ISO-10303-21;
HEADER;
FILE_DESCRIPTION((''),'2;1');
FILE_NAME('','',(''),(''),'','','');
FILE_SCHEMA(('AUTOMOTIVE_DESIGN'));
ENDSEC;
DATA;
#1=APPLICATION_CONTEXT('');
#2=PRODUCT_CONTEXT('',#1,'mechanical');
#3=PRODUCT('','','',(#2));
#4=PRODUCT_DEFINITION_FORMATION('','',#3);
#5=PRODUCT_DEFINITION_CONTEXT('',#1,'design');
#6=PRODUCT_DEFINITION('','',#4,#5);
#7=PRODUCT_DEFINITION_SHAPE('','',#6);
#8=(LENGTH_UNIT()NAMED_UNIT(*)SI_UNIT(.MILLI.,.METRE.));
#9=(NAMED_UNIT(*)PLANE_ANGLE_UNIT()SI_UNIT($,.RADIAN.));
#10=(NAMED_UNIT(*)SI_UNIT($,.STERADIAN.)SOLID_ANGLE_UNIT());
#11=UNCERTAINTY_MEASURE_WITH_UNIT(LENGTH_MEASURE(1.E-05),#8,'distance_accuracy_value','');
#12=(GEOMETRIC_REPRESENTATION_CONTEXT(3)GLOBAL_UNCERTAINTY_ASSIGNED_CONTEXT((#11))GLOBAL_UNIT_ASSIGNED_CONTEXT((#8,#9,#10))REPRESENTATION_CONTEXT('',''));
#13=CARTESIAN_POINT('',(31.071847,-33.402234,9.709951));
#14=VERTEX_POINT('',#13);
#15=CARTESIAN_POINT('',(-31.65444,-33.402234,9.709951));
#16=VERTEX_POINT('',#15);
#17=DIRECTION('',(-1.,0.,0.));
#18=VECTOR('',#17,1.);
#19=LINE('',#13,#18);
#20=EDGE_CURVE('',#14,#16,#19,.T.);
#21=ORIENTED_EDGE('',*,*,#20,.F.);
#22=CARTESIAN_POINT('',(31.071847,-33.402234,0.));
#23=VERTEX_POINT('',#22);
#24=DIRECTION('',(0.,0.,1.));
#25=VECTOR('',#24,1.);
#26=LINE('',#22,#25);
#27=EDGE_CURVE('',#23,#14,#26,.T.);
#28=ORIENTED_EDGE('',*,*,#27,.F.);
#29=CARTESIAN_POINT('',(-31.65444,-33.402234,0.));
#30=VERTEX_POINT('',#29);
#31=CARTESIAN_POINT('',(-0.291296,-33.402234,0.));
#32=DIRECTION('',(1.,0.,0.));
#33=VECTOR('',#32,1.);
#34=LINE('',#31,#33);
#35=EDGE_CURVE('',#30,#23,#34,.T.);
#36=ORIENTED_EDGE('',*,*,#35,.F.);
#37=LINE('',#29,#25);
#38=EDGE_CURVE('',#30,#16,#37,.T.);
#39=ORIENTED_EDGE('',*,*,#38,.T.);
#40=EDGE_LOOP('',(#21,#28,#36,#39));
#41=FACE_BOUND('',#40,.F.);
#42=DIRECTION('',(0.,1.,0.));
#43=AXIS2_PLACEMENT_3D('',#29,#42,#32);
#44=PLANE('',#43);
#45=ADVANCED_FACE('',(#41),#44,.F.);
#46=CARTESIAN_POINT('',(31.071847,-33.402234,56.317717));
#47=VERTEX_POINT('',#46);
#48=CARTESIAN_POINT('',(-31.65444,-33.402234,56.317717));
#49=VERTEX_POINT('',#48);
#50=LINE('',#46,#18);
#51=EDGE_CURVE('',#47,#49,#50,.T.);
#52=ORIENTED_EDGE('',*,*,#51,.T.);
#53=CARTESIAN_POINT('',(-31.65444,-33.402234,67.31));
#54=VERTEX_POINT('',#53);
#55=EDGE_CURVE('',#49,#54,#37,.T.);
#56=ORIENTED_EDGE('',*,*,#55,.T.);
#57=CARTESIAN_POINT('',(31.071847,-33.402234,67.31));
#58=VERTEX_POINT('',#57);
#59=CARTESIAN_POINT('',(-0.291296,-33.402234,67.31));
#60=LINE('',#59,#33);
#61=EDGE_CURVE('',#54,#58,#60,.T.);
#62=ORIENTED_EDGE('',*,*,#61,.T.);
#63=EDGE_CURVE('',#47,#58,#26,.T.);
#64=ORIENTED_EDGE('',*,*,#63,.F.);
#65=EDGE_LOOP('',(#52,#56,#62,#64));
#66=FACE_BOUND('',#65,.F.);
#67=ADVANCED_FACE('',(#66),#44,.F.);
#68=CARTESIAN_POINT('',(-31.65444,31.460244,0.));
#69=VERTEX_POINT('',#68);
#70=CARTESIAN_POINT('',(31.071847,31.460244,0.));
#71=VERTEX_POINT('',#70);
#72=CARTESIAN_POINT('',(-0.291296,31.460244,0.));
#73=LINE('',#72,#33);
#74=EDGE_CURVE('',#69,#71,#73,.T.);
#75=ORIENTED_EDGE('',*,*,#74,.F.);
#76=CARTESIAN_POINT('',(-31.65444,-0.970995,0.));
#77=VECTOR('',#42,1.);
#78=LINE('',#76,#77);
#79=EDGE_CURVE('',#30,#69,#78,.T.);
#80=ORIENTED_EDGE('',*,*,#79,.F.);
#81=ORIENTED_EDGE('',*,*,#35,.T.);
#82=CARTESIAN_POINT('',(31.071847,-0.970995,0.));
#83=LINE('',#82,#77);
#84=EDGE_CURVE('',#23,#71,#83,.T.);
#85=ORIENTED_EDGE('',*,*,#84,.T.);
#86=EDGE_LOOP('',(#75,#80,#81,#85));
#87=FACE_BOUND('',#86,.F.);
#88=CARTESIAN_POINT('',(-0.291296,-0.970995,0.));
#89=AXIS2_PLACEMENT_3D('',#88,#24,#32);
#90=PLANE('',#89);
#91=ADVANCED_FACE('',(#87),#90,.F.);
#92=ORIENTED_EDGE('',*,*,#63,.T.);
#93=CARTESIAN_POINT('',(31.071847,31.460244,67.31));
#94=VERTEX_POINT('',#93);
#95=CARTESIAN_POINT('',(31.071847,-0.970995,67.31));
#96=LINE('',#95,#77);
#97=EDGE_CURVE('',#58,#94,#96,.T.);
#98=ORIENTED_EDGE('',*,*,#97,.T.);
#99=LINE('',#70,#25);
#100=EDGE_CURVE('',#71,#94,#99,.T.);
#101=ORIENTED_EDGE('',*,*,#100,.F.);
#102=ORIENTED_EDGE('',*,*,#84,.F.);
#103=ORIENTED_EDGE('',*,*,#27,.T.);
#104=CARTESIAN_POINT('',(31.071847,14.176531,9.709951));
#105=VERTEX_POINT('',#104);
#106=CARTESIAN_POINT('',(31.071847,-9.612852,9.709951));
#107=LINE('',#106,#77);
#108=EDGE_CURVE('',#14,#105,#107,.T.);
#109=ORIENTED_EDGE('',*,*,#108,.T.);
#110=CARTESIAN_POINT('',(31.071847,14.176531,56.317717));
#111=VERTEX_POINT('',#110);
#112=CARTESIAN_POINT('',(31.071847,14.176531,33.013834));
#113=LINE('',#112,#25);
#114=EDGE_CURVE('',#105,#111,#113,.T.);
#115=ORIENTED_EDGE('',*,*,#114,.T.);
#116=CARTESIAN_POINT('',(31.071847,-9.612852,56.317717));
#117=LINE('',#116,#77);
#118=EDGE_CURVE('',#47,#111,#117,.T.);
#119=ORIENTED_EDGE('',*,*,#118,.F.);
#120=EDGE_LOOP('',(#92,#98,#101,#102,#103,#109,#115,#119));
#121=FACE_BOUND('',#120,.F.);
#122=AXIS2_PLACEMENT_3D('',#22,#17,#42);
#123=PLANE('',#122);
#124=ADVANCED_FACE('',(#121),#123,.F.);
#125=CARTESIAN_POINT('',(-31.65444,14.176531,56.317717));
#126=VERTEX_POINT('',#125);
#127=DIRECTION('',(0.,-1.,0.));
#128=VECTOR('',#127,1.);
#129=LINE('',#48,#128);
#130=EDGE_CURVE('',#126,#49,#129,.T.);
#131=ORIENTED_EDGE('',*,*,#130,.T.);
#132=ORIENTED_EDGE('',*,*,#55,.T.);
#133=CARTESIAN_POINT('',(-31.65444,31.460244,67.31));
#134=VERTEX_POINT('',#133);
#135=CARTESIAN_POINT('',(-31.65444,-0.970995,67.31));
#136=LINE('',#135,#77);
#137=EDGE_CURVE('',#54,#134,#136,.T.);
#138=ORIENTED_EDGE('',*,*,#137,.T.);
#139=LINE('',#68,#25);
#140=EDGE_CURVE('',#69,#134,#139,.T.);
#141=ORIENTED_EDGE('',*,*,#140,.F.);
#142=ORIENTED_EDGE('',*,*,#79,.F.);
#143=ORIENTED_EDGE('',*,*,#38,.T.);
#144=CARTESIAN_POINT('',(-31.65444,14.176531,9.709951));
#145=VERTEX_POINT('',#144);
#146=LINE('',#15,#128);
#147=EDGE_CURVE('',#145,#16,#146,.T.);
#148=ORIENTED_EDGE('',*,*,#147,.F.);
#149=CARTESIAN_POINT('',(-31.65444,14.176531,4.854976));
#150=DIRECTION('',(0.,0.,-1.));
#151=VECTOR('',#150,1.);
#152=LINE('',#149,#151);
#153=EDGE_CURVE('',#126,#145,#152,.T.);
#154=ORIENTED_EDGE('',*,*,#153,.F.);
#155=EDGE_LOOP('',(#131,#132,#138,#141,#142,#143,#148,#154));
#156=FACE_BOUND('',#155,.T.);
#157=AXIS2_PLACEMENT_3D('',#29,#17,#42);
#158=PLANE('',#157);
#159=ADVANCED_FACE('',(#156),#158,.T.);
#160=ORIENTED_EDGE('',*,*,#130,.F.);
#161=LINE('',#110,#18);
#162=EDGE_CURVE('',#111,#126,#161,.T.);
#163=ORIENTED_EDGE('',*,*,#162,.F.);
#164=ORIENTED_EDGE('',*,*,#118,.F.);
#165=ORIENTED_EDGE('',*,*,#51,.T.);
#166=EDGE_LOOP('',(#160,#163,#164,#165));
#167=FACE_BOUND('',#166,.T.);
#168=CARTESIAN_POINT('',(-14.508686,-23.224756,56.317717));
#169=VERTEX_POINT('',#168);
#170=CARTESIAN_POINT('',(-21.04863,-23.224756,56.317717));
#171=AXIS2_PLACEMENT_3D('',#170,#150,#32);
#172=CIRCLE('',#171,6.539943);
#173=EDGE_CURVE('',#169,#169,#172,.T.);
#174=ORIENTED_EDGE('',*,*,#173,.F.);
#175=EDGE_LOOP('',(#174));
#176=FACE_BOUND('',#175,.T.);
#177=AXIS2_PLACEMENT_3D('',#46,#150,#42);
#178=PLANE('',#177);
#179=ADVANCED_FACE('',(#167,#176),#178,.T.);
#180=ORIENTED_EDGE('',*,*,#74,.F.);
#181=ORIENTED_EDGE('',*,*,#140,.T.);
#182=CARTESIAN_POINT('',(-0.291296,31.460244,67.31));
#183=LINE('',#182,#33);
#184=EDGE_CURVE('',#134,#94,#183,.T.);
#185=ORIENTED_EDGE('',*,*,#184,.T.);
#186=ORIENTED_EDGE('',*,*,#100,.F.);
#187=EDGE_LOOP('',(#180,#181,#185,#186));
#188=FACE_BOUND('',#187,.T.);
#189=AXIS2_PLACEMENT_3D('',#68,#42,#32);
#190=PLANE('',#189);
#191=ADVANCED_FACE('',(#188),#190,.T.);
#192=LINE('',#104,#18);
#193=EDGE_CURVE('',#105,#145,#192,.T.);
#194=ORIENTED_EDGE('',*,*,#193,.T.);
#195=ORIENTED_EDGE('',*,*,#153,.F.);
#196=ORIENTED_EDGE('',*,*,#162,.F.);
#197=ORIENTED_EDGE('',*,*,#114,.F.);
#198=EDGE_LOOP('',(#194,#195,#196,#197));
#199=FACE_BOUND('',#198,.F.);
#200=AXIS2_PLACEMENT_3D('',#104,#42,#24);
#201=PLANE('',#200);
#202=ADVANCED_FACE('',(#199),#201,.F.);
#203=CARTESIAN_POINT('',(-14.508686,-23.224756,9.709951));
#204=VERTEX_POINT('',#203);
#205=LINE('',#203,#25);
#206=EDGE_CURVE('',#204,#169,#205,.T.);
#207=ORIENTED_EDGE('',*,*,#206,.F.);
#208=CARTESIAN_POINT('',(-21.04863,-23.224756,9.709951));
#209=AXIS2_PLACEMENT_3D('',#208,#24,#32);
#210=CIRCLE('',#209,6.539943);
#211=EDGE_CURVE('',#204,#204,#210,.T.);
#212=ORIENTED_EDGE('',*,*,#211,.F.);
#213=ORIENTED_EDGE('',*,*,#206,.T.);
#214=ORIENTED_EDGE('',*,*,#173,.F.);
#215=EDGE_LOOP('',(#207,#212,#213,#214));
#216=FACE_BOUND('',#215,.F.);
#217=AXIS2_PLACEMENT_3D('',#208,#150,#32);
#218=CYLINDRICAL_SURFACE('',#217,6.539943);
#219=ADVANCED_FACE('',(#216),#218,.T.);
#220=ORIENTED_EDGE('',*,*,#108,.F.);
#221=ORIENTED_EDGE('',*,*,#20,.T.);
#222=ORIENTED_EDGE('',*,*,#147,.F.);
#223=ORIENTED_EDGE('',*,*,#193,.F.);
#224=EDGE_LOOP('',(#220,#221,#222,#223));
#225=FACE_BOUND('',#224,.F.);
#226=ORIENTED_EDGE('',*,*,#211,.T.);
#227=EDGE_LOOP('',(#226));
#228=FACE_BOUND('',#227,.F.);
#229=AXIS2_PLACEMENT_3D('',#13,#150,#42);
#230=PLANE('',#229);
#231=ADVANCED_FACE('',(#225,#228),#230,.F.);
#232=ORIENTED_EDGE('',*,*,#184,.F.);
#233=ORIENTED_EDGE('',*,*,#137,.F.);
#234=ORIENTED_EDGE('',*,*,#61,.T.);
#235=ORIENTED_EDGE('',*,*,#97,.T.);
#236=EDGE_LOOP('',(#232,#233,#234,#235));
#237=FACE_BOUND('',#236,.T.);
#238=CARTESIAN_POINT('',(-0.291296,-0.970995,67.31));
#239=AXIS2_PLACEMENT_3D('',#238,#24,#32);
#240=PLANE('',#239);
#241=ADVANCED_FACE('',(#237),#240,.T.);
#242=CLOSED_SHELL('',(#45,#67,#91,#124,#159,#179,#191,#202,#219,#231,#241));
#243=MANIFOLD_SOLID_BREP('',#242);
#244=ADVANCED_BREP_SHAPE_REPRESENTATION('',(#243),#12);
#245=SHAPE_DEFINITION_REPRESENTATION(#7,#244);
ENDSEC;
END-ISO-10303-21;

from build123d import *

# Parameters (mm, degrees)
F0_W     = 62.7262871712
F0_H     = 64.8624785244
F1_DEPTH = 67.31
F2_W     = 47.5787650794
F2_H     = 46.6077653691
F3_DEPTH = 72.644
F4_R     = 6.5399432167
F5_DEPTH = 52.07


with BuildPart() as f1:
    # F0 (on Top) → F1 (new body)
    with BuildSketch(Plane.XY):
        with Locations((-0.2912962809, -0.9709950536)):
            Rectangle(F0_W, F0_H)
    extrude(amount=F1_DEPTH)

    # F2 (on face) → F3 (cut)
    with BuildSketch(Plane.YZ.offset(31.0718473047)):
        with Locations((-9.6128517762, 33.0138341524)):
            Rectangle(F2_W, F2_H)
    extrude(amount=-F3_DEPTH, mode=Mode.SUBTRACT)

    # F4 (on face) → F5 (join)
    with BuildSketch(Plane.XY.offset(9.7099514678)):
        with Locations((-21.0486296564, -23.2247561216)):
            Circle(F4_R)
    extrude(amount=F5_DEPTH)


solid = f1.part
